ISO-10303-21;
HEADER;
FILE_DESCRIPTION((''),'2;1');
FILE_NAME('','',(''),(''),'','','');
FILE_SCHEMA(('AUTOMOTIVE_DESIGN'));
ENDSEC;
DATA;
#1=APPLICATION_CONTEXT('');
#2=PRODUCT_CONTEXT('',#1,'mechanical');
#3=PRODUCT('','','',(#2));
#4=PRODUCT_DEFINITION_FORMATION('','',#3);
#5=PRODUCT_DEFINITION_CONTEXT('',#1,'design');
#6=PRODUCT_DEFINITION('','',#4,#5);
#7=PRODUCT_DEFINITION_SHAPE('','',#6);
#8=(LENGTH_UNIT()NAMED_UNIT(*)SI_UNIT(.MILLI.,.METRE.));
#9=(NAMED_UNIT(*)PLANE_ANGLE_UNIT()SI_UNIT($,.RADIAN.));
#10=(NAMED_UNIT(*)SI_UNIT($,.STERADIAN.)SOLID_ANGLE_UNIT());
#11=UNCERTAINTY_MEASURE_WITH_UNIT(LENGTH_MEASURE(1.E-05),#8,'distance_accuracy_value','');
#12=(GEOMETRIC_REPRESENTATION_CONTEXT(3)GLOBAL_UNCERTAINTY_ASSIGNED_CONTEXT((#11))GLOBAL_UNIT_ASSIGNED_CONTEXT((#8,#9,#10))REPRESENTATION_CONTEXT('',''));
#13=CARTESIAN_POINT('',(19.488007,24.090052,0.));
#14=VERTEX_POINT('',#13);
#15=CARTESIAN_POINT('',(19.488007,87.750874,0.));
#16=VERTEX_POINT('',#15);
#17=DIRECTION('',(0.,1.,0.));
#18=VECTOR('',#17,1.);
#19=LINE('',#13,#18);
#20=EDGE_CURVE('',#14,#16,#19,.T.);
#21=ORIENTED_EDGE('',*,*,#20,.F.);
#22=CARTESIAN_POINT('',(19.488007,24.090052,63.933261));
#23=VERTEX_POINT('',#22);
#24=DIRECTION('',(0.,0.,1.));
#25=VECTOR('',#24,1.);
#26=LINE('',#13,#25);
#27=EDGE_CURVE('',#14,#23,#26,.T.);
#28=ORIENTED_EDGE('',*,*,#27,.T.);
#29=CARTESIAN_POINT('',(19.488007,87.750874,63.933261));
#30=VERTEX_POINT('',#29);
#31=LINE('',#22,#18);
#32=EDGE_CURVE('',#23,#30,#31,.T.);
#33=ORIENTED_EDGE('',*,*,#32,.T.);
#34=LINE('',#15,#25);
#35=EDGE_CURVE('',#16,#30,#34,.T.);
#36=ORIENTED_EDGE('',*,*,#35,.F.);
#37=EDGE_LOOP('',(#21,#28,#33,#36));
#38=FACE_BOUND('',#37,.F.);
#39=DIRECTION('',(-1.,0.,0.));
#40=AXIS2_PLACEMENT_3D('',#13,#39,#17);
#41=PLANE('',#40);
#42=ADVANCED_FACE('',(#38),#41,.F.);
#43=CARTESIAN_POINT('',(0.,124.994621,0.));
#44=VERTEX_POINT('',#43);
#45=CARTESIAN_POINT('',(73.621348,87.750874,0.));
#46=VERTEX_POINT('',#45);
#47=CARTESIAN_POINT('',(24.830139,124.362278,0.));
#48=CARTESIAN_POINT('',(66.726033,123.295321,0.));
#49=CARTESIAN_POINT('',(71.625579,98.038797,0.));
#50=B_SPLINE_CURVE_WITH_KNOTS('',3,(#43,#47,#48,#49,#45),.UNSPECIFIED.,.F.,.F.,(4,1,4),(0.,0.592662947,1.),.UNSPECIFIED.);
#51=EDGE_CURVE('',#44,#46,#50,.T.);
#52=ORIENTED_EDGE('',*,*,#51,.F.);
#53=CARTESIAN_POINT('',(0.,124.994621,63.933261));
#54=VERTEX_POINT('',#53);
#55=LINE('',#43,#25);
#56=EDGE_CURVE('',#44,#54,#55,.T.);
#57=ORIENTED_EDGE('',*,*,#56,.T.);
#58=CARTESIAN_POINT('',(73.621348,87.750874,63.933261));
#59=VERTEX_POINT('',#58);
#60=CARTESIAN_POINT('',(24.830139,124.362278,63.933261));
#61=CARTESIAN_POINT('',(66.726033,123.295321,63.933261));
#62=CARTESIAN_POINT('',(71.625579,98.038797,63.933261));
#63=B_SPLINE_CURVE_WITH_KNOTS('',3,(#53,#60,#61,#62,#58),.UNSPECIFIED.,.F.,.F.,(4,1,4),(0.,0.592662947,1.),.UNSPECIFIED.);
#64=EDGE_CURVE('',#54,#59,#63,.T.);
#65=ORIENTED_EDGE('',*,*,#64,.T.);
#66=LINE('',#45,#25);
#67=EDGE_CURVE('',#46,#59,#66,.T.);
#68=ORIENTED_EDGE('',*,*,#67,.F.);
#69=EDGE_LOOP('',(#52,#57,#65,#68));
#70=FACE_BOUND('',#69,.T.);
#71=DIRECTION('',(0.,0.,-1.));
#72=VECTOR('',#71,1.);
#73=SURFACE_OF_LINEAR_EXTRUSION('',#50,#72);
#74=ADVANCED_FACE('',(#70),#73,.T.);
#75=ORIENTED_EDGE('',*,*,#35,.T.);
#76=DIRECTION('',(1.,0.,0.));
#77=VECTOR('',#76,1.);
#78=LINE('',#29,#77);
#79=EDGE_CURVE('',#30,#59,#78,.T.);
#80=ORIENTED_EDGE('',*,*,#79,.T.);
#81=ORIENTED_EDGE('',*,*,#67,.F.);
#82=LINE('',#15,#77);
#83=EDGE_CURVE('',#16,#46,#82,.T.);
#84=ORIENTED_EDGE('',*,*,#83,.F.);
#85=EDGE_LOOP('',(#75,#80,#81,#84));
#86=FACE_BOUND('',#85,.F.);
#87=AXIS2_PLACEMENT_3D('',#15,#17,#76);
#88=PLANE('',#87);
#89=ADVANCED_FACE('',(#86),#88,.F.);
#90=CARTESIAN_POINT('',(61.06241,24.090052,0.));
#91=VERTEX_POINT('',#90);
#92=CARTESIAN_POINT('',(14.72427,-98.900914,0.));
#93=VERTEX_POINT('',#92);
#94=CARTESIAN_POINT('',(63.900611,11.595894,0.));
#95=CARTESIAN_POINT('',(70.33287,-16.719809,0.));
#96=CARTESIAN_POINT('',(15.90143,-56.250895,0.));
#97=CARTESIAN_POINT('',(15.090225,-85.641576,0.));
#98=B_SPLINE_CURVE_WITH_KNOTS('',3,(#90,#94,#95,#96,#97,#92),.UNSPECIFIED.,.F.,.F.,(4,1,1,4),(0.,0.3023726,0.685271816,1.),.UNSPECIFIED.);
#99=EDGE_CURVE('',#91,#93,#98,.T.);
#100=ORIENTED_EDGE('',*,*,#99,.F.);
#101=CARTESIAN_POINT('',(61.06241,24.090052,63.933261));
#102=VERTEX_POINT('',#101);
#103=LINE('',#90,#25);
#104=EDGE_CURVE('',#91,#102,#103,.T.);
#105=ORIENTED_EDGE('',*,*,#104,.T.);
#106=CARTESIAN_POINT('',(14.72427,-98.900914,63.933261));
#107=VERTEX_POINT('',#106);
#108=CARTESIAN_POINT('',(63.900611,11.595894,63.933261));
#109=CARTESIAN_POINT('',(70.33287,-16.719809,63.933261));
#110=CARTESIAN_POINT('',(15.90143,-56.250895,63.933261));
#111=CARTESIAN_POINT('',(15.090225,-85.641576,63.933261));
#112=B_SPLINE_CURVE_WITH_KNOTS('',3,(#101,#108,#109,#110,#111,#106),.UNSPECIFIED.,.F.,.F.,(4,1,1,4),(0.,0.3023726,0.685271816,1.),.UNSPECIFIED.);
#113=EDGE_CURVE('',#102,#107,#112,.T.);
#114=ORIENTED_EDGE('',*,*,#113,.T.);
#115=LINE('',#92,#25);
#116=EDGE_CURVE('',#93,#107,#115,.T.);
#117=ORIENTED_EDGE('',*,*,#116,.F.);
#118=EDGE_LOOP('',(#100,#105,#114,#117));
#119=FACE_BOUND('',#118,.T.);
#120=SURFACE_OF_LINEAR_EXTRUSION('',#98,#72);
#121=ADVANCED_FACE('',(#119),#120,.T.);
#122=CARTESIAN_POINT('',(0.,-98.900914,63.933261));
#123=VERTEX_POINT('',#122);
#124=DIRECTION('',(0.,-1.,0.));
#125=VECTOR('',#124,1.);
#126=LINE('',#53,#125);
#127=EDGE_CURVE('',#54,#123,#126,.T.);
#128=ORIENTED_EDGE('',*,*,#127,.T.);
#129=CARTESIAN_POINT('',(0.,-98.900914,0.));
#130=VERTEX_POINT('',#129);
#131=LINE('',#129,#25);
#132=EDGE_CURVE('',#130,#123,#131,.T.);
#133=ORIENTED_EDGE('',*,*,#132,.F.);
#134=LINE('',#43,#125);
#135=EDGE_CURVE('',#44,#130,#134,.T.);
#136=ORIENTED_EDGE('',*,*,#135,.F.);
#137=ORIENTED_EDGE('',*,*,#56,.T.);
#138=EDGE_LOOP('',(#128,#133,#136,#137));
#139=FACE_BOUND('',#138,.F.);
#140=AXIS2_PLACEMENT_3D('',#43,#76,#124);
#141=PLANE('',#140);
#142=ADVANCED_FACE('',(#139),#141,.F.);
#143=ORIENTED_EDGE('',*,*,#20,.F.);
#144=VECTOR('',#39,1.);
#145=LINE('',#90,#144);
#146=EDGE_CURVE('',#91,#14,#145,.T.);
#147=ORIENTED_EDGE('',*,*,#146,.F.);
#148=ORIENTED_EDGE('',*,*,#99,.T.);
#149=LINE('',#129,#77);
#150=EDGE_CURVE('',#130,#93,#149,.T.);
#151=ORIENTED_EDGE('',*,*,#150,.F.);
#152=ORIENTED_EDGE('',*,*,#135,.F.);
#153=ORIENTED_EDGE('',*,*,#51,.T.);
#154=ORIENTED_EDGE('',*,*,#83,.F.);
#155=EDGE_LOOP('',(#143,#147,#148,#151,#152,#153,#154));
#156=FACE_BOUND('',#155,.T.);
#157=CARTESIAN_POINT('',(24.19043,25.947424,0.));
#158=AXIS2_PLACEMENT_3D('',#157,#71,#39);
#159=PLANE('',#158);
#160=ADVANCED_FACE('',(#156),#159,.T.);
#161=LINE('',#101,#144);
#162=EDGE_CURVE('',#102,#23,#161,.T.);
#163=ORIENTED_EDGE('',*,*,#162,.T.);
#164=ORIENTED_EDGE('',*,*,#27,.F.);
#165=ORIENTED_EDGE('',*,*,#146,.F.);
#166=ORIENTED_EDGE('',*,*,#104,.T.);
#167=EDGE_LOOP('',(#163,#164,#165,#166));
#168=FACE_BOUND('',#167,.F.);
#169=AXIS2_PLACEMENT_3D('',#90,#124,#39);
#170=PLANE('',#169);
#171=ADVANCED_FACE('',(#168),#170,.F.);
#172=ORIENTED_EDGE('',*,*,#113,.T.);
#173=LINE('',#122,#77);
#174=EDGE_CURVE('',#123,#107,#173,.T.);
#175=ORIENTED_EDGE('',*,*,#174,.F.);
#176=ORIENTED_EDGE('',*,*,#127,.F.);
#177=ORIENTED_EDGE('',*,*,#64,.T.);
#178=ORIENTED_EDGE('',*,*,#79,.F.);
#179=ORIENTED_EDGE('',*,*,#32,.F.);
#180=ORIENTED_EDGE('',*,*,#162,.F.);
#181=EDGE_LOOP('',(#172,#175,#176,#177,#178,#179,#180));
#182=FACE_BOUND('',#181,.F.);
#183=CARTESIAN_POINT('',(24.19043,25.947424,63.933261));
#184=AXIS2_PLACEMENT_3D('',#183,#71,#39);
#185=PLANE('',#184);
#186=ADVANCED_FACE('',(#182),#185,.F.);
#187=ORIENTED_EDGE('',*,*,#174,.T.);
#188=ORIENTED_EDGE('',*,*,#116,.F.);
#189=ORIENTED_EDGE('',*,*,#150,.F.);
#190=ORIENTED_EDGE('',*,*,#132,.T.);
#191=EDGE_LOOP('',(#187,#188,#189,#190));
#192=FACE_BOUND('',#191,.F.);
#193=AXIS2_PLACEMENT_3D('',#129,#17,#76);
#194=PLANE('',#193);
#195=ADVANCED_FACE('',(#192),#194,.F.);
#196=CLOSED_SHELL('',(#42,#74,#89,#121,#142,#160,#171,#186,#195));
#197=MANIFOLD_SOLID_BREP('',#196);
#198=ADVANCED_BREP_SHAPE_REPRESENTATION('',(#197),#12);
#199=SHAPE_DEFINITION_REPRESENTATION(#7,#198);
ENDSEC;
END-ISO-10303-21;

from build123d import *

# Parameters (mm, degrees)
F1_DEPTH = 63.9332607388


with BuildPart() as f1:
    # F0 (on Top) → F1 (new body)
    with BuildSketch(Plane.XY):
        with BuildLine():
            add(Edge.make_bspline(
                [(0, 124.9946206808), (24.8301394318, 124.3622780324), (66.7260326214, 123.295321072), (71.6255786908, 98.0387967509), (73.6213475466, 87.7508744597)],
                knots=[0, 0, 0, 0, 0.5926629473, 1, 1, 1, 1], degree=3))
            Line((0, 124.9946206808), (0, -98.9009141922))
            Line((0, -98.9009141922), (14.7242695093, -98.9009141922))
            add(Edge.make_bspline(
                [(61.0624104738, 24.090051651), (63.9006109002, 11.5958938349), (70.3328699343, -16.7198091911), (15.9014298374, -56.2508950422), (15.0902251847, -85.641575757), (14.7242695093, -98.9009141922)],
                knots=[0, 0, 0, 0, 0.3023726, 0.685271816, 1, 1, 1, 1], degree=3))
            Line((61.0624104738, 24.090051651), (19.4880068302, 24.090051651))
            Line((19.4880068302, 24.090051651), (19.4880068302, 87.7508744597))
            Line((19.4880068302, 87.7508744597), (73.6213475466, 87.7508744597))
        make_face()
    extrude(amount=F1_DEPTH)


solid = f1.part
